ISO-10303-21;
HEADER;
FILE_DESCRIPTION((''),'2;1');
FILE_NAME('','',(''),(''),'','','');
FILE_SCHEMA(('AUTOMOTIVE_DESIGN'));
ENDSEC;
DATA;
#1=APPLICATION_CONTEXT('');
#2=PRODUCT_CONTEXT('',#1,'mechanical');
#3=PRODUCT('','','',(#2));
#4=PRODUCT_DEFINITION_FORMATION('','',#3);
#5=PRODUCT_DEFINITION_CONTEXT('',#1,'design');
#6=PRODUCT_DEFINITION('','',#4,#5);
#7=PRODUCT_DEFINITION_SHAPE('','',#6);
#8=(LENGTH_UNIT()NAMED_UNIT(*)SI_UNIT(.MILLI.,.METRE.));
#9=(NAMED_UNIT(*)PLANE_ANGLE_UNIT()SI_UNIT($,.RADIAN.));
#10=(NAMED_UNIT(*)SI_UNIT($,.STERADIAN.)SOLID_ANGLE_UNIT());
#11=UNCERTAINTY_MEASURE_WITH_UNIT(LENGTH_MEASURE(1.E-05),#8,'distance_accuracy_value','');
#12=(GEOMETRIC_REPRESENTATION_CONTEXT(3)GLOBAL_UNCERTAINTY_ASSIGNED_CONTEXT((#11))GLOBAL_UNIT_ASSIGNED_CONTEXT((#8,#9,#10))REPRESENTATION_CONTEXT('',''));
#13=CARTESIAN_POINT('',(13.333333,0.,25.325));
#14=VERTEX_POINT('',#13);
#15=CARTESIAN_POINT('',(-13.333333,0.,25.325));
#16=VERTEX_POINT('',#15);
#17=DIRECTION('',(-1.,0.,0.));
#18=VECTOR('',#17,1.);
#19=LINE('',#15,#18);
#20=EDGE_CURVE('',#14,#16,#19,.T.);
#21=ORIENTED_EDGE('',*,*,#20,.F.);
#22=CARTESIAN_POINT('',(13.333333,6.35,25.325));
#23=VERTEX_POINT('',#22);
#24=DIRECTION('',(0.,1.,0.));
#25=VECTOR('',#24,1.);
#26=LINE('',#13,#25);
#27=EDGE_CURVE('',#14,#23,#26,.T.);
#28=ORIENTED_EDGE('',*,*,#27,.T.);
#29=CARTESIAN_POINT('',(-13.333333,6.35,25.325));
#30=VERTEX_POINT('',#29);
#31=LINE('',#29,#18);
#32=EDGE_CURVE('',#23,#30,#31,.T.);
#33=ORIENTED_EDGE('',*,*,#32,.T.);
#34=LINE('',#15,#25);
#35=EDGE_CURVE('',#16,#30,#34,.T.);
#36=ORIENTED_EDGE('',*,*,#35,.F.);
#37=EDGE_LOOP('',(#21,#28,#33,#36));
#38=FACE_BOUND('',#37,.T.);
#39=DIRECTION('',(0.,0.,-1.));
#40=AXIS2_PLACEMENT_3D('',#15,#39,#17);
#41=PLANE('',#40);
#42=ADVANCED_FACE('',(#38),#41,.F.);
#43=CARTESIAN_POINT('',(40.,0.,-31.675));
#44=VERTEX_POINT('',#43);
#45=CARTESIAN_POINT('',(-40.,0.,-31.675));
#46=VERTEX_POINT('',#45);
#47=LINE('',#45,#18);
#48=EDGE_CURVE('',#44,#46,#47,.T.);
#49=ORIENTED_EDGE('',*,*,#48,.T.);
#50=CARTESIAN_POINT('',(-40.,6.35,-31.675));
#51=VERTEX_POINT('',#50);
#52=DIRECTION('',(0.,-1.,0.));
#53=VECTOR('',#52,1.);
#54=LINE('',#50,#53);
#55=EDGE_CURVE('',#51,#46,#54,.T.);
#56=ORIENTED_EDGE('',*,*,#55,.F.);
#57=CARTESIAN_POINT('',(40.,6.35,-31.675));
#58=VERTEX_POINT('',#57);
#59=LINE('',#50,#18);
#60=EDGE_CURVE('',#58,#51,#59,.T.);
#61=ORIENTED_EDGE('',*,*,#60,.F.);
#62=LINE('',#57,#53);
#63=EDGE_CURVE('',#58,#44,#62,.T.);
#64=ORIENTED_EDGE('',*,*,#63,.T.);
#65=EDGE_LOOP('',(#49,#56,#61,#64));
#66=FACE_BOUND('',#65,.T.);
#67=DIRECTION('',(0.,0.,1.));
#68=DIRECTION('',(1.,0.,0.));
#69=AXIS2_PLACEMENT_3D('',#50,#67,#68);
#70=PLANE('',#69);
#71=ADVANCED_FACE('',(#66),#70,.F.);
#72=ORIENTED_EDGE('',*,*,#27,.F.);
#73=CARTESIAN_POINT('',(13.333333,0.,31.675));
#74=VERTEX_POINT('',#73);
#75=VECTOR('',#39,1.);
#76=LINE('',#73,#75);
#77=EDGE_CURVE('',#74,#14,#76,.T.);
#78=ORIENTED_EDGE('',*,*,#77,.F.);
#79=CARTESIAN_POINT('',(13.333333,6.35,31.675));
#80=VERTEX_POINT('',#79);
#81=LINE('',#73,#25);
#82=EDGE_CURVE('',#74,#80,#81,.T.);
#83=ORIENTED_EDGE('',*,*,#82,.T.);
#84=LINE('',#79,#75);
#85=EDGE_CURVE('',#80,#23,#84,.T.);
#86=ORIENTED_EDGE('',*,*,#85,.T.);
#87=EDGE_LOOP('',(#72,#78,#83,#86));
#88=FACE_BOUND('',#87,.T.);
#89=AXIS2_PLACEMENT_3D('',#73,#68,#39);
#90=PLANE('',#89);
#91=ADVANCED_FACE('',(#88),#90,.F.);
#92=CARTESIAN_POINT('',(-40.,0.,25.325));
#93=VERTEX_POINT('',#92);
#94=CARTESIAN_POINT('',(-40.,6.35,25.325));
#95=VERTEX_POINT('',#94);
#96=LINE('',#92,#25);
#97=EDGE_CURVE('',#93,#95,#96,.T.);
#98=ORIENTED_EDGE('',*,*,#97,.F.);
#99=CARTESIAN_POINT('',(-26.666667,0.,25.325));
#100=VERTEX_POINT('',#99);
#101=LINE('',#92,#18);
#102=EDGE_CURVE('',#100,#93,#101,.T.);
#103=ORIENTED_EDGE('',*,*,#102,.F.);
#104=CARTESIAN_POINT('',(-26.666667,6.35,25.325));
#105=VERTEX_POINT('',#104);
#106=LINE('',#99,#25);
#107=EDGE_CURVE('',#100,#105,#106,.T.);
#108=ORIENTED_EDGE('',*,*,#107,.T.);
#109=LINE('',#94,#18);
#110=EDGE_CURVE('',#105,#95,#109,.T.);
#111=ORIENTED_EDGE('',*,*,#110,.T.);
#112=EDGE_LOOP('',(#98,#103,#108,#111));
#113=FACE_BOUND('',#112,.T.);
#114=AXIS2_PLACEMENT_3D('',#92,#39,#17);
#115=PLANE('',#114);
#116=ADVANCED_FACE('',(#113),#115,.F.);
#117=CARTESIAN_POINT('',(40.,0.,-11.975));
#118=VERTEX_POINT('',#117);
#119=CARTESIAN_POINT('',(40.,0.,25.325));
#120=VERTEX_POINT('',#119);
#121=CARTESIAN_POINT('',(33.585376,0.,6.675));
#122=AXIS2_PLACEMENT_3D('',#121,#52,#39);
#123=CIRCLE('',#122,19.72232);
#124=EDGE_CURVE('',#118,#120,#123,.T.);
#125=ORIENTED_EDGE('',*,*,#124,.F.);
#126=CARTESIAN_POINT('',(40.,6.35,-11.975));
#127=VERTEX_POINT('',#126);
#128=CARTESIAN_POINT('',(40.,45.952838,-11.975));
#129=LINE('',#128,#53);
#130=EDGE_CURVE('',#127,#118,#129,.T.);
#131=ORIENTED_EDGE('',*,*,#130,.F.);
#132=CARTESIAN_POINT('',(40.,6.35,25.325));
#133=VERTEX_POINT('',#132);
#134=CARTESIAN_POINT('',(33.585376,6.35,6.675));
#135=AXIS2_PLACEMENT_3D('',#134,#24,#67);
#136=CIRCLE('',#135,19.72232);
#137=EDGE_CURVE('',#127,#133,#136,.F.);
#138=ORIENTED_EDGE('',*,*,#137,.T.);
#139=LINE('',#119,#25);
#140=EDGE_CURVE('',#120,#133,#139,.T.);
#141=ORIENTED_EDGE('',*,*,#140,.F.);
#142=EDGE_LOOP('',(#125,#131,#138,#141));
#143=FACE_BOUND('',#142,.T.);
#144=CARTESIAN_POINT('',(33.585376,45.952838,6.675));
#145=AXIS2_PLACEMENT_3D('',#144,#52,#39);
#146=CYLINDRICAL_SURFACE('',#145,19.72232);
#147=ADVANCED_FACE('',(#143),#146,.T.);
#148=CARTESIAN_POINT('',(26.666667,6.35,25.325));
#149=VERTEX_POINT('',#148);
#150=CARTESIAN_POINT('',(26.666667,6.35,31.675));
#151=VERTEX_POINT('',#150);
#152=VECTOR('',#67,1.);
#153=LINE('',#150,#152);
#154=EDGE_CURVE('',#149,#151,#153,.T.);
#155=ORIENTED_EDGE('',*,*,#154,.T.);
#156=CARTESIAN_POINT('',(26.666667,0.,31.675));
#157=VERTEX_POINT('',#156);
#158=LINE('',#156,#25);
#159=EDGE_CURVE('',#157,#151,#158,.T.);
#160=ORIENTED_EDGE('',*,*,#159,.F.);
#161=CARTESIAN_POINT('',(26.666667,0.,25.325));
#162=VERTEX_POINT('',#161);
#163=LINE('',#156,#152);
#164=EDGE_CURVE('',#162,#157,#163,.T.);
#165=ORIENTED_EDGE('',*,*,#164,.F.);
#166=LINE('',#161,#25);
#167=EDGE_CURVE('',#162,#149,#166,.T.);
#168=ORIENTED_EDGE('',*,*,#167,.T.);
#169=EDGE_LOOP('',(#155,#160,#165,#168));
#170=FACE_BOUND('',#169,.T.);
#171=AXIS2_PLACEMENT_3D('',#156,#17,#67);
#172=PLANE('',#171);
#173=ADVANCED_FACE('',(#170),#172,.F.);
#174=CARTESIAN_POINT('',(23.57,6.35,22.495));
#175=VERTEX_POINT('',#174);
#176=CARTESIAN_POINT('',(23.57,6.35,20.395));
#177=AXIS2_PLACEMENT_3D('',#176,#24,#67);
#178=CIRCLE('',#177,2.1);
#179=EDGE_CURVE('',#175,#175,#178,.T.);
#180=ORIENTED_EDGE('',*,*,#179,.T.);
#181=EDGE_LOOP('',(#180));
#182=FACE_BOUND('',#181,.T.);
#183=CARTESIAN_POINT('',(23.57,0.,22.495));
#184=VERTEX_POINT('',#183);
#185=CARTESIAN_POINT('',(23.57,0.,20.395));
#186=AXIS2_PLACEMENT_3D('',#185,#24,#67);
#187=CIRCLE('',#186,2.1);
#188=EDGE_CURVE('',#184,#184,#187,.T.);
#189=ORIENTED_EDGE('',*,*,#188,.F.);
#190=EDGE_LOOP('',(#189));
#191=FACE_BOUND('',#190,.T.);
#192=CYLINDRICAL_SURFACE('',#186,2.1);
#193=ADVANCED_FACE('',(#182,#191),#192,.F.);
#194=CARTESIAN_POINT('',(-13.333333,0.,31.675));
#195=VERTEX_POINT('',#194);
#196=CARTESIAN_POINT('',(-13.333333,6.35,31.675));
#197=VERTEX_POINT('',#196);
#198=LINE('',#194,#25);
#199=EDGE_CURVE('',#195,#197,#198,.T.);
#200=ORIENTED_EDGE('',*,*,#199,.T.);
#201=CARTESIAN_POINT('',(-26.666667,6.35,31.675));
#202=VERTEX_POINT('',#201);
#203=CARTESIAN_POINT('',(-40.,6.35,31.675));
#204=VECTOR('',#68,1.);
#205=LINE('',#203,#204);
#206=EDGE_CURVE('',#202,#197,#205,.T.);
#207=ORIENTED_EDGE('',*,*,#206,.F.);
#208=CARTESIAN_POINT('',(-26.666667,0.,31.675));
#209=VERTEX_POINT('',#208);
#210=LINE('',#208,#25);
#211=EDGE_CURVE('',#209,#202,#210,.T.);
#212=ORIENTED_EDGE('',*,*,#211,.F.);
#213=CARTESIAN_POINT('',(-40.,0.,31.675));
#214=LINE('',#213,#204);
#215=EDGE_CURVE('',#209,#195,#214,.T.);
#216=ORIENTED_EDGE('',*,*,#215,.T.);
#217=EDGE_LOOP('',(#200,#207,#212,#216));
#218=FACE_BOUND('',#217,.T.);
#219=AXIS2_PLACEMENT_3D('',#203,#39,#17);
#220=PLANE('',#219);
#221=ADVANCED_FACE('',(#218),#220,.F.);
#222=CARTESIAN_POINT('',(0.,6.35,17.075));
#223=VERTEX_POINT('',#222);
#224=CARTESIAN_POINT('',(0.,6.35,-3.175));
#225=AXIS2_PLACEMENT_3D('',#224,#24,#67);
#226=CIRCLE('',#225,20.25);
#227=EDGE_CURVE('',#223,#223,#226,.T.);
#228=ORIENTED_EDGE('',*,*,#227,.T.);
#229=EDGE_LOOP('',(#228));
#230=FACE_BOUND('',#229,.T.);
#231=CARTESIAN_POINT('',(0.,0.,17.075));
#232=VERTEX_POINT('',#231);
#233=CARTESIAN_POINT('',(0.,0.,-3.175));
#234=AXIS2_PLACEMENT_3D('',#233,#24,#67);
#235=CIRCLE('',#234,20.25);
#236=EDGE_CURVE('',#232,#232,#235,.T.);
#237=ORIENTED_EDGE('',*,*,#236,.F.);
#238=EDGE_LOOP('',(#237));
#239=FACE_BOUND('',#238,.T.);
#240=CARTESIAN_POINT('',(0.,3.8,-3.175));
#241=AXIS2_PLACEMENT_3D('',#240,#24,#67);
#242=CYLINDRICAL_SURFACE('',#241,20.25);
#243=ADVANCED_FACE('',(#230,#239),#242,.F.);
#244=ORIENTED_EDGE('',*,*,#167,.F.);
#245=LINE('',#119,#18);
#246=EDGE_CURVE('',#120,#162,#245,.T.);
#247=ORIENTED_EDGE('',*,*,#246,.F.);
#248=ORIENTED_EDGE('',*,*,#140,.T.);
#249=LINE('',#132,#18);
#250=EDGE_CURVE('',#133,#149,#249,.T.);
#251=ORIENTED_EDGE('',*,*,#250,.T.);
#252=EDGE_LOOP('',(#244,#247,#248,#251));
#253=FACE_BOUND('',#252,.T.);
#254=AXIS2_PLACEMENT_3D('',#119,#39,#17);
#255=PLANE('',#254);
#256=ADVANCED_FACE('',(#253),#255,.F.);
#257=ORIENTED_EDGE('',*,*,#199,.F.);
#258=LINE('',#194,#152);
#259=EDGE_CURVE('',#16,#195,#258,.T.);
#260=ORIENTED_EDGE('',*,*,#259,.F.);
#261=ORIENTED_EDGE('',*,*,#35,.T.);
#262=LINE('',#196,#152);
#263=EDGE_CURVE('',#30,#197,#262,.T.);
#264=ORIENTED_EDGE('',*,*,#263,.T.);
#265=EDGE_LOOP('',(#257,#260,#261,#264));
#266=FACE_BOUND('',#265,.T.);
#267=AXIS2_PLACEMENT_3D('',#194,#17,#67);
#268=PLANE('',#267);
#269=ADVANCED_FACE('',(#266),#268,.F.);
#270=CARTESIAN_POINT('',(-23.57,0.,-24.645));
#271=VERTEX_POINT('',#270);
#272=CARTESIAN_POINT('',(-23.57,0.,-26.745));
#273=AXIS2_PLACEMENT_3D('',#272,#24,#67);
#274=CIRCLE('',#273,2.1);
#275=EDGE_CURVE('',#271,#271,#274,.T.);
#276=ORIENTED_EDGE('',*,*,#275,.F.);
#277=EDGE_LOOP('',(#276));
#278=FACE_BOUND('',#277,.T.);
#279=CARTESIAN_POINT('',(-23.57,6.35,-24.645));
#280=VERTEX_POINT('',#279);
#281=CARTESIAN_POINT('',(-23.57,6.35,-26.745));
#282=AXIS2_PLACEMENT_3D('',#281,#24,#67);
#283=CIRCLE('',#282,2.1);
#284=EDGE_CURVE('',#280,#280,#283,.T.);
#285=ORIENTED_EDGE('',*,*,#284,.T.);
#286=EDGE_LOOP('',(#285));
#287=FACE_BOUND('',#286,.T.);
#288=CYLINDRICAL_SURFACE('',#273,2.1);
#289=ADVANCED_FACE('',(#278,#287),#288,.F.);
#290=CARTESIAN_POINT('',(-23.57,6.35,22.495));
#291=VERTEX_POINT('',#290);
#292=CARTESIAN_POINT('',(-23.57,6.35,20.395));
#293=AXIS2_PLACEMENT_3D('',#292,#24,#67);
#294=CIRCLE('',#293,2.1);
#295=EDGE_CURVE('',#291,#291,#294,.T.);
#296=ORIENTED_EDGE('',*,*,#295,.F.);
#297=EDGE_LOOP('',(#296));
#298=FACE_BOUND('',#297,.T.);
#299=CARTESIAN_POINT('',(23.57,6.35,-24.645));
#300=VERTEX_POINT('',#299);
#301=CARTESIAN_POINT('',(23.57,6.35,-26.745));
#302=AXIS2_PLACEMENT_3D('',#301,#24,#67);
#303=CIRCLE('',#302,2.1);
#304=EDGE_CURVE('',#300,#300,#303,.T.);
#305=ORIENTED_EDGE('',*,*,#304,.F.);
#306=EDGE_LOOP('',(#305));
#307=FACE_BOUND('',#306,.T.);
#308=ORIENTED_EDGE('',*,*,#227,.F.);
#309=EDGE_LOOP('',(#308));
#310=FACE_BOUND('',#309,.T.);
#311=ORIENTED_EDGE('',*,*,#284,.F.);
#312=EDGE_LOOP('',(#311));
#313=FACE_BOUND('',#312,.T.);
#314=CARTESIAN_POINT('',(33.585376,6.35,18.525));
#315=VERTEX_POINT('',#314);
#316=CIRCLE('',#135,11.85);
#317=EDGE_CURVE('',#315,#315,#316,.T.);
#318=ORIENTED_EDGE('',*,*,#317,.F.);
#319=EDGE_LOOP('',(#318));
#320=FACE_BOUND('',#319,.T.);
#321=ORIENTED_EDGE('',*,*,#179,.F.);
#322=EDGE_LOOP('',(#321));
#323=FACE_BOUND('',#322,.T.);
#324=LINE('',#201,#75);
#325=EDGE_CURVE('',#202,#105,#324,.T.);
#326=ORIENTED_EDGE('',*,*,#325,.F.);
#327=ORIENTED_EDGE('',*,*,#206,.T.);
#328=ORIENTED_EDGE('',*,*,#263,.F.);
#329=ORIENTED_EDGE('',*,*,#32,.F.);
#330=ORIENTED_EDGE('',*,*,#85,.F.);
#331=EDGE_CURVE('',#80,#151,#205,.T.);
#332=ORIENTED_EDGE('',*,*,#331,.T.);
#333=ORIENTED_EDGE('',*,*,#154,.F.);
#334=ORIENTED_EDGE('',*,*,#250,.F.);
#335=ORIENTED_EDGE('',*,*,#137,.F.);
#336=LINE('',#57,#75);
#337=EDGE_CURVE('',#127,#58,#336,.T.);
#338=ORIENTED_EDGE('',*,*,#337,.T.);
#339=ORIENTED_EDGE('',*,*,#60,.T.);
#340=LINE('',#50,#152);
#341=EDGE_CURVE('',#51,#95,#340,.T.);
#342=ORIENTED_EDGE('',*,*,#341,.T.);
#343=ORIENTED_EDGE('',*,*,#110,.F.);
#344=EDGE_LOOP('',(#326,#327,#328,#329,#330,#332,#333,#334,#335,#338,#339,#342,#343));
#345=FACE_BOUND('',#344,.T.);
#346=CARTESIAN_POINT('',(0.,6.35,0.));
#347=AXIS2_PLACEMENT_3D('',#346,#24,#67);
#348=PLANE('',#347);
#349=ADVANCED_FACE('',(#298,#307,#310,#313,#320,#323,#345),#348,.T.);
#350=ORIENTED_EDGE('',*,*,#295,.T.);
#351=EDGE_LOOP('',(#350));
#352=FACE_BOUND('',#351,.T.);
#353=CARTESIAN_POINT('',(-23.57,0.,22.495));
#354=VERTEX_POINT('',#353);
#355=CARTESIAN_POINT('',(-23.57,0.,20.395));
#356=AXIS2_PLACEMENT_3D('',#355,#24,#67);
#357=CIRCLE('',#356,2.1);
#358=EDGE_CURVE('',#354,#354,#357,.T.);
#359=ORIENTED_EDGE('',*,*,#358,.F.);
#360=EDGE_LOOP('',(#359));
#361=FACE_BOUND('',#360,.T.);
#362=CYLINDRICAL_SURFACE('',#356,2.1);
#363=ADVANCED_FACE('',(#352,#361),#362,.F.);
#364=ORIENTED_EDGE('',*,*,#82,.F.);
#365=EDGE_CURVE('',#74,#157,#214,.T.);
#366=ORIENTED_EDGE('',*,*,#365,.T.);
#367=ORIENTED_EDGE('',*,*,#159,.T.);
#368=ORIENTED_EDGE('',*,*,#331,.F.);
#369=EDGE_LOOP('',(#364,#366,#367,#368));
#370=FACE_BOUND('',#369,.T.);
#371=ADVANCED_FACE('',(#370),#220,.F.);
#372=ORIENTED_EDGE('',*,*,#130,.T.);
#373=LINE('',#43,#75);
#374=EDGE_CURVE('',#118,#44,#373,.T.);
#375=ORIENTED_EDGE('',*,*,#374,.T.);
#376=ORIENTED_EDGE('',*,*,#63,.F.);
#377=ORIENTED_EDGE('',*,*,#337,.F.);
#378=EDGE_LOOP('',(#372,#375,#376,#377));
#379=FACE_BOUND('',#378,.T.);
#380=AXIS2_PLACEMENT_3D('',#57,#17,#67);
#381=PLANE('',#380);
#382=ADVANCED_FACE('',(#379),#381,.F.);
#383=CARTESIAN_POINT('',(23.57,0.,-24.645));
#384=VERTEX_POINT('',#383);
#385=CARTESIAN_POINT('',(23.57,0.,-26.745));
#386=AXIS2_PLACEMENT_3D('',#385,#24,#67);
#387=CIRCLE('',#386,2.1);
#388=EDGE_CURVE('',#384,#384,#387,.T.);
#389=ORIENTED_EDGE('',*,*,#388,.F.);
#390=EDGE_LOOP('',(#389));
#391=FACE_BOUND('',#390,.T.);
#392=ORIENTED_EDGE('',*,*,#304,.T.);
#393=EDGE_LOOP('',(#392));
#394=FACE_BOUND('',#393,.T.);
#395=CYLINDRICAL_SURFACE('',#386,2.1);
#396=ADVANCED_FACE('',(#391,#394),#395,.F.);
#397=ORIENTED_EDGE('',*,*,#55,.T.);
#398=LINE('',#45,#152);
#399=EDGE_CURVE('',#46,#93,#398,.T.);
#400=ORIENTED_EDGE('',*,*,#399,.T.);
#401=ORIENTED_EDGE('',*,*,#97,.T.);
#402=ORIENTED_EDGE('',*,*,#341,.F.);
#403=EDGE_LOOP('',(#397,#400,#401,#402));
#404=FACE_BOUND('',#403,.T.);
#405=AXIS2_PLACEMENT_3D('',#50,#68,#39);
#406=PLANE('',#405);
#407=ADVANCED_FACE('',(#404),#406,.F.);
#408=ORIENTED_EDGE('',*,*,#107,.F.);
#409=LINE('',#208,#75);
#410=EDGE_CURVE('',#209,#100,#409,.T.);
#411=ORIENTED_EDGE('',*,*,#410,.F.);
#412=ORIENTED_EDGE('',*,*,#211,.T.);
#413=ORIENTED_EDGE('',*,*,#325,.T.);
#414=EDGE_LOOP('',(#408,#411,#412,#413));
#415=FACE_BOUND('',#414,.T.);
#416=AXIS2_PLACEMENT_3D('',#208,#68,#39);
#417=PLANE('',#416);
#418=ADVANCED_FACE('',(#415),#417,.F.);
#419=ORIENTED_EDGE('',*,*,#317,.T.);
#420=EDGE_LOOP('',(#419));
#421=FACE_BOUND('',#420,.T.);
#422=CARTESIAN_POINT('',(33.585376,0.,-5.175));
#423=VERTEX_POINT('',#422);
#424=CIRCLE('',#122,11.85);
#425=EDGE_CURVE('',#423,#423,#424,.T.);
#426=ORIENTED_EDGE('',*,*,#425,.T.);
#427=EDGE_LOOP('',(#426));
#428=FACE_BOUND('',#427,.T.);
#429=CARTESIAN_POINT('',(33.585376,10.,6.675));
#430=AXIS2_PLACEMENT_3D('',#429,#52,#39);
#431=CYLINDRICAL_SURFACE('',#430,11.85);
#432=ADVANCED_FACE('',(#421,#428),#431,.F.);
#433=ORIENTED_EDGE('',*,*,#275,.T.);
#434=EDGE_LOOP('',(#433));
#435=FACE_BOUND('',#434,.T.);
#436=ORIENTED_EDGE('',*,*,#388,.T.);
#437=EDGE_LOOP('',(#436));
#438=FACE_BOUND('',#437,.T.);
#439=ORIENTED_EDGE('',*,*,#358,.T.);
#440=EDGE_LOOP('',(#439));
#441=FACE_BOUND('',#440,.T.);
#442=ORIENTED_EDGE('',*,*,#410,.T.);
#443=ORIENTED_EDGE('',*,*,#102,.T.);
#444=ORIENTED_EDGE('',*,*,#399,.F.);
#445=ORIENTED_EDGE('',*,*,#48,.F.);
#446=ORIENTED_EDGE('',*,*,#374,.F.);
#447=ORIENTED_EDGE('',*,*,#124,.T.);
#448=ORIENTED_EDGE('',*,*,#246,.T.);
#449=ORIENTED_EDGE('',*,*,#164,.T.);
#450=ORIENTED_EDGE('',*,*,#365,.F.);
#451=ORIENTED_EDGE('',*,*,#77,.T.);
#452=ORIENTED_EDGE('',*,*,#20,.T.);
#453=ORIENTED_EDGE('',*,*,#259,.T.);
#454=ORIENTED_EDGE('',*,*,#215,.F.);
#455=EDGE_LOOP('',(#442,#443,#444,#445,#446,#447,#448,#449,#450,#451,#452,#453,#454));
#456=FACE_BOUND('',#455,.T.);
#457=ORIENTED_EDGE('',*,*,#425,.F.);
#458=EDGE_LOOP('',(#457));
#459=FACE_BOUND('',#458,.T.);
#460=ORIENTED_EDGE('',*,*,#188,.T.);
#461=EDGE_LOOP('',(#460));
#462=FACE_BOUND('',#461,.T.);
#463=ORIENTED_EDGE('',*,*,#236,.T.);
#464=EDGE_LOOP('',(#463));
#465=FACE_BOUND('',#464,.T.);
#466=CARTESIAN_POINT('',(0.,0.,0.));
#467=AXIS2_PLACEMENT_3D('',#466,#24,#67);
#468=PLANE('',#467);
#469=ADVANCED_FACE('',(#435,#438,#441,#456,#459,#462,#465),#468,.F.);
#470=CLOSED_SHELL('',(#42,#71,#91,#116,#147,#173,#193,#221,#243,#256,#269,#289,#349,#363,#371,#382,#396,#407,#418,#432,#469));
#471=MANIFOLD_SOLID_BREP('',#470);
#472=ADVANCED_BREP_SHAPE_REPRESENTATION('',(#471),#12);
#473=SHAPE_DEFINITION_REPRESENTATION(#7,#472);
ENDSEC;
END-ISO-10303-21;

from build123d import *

# Parameters (mm, degrees)
SKETCH1_W           = 80
SKETCH1_H           = 63.35
BOSS_EXTRUDE1_DEPTH = 6.35
SKETCH2_W           = 13.333333333
SKETCH2_H           = 6.35
SKETCH2_W_2         = 26.666666666
CUT_EXTRUDE2_DEPTH  = 52.416224336
SKETCH3_R           = 20.25
CUT_EXTRUDE3_DEPTH  = 2.55
SKETCH4_R           = 20.25
CUT_EXTRUDE4_DEPTH  = 52.416224336
SKETCH5_R           = 2.1
CUT_EXTRUDE5_DEPTH  = 52.416224336
BOSS_EXTRUDE2_DEPTH = 6.35
SKETCH13_R          = 11.85
CUT_EXTRUDE8_DEPTH  = 10


with BuildPart() as part:
    # Sketch1 → Boss-Extrude1 (new body)
    with BuildSketch(Plane(origin=(0, 0, 0), x_dir=(1, 0, 0), z_dir=(0, 1, 0))):
        Rectangle(SKETCH1_W, SKETCH1_H)
    extrude(amount=BOSS_EXTRUDE1_DEPTH)

    # Sketch2 → Cut-Extrude2 (cut, through all)
    with BuildSketch(Plane(origin=(0, 6.35, 0), x_dir=(1, 0, 0), z_dir=(0, 1, 0))):
        with Locations((-33.333333334, -28.5)):
            Rectangle(SKETCH2_W, SKETCH2_H)
        with Locations((33.333333334, -28.5)):
            Rectangle(SKETCH2_W, SKETCH2_H)
        with Locations((0, -28.5)):
            Rectangle(SKETCH2_W_2, SKETCH2_H)
    extrude(amount=-CUT_EXTRUDE2_DEPTH, mode=Mode.SUBTRACT)

    # Sketch3 → Cut-Extrude3 (cut)
    with BuildSketch(Plane(origin=(0, 6.35, 0), x_dir=(1, 0, 0), z_dir=(0, 1, 0))):
        with Locations(Location((0, 3.175, 0), (0, 0, 270))):
            Circle(SKETCH3_R)
    extrude(amount=-CUT_EXTRUDE3_DEPTH, mode=Mode.SUBTRACT)

    # Sketch4 → Cut-Extrude4 (cut, through all)
    with BuildSketch(Plane(origin=(0, 6.35, 0), x_dir=(1, 0, 0), z_dir=(0, 1, 0))):
        with Locations(Location((0, 3.175, 0), (0, 0, 270))):
            Circle(SKETCH4_R)
    extrude(amount=-CUT_EXTRUDE4_DEPTH, mode=Mode.SUBTRACT)

    # Sketch5 → Cut-Extrude5 (cut, through all)
    with BuildSketch(Plane(origin=(0, 6.35, 0), x_dir=(1, 0, 0), z_dir=(0, 1, 0))):
        with Locations(Location((23.57, 26.745, 0), (0, 0, 270))):
            Circle(SKETCH5_R)
        with Locations(Location((-23.57, 26.745, 0), (0, 0, 270))):
            Circle(SKETCH5_R)
        with Locations(Location((-23.57, -20.395, 0), (0, 0, 270))):
            Circle(SKETCH5_R)
        with Locations(Location((23.57, -20.395, 0), (0, 0, 270))):
            Circle(SKETCH5_R)
    extrude(amount=-CUT_EXTRUDE5_DEPTH, mode=Mode.SUBTRACT)

    # Sketch12 → Boss-Extrude2 (add)
    with BuildSketch(Plane.XZ):
        with BuildLine():
            Line((40, 25.325), (40, -11.975))
            ThreePointArc((40, -11.975), (53.30769606, 6.675), (40, 25.325))
        make_face()
    extrude(amount=-BOSS_EXTRUDE2_DEPTH)

    # Sketch13 → Cut-Extrude8 (cut)
    with BuildSketch(Plane.XZ):
        with Locations(Location((33.585376282, 6.675, 0), (0, 0, 270))):
            Circle(SKETCH13_R)
    extrude(amount=-CUT_EXTRUDE8_DEPTH, mode=Mode.SUBTRACT)


solid = part.part
